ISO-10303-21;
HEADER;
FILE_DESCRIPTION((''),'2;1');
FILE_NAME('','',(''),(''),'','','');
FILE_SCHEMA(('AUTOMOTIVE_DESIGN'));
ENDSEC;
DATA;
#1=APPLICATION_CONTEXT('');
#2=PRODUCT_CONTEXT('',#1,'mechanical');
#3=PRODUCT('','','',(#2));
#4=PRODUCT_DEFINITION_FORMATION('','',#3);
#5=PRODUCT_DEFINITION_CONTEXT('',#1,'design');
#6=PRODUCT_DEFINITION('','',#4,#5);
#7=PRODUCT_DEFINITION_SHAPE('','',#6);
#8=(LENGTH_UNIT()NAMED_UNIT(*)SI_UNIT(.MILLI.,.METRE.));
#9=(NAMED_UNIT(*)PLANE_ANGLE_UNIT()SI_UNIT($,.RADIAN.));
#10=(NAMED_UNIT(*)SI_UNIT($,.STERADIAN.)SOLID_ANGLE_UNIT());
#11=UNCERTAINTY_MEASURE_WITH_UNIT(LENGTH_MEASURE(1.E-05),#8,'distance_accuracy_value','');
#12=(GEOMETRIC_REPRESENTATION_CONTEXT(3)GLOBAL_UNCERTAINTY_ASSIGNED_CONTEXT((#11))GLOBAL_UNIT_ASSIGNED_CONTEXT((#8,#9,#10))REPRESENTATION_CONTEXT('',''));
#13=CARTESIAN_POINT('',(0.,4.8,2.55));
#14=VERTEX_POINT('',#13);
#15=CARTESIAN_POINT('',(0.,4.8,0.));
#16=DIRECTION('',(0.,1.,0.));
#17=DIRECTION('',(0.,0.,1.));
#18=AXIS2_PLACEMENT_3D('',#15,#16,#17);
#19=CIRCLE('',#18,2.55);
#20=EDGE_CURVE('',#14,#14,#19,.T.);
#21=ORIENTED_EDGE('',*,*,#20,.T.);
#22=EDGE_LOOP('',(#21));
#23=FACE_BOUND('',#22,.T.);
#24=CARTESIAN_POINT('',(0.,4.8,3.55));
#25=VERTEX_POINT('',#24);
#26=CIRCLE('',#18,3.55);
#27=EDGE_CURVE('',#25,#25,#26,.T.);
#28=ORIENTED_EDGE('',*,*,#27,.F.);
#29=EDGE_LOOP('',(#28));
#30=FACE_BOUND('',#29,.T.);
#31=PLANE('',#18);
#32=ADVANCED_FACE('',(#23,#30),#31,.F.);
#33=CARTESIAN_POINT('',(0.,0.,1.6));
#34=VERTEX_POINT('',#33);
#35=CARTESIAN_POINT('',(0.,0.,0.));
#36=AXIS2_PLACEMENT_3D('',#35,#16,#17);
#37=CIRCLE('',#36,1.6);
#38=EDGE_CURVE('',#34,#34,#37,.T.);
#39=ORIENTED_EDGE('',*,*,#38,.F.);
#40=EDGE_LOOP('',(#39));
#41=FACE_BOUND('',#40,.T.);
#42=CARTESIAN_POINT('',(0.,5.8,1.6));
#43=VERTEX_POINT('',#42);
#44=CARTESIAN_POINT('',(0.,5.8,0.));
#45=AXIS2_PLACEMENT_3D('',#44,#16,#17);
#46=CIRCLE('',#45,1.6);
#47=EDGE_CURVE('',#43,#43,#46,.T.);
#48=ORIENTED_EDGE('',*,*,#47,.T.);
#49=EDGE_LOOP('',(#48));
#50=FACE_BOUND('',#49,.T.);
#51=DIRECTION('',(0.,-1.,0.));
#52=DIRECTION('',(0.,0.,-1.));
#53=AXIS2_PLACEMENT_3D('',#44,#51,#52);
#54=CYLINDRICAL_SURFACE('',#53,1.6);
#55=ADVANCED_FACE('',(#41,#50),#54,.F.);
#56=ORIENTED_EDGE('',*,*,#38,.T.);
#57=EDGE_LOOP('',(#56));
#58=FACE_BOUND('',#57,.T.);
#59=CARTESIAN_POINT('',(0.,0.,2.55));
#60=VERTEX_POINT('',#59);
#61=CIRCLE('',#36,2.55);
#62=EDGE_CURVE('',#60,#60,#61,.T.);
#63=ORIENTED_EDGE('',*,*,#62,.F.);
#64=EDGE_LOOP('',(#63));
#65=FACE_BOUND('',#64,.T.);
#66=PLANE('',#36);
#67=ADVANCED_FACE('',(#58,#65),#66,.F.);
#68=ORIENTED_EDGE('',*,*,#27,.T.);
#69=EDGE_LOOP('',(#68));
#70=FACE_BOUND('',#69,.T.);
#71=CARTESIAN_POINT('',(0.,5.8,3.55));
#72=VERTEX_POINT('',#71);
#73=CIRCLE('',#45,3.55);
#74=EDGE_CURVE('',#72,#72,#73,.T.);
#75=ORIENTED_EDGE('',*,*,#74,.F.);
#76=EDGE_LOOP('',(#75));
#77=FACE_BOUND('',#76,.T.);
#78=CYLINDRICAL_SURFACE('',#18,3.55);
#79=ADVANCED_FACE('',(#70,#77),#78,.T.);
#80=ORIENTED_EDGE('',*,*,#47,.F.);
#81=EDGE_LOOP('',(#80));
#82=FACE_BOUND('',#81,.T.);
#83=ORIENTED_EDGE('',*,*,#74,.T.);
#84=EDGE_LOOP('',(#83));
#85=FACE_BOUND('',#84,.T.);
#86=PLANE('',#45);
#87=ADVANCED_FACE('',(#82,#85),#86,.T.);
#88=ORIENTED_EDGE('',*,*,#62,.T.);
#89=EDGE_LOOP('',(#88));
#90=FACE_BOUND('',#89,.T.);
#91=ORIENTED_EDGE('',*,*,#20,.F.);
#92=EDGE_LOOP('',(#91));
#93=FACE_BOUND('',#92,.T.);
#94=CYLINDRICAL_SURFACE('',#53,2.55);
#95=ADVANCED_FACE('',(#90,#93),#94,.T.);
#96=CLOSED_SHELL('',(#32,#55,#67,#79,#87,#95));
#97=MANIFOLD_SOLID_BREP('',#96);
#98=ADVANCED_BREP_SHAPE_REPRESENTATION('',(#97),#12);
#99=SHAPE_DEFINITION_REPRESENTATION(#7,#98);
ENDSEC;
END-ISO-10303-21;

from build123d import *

# Parameters (mm, degrees)
SKETCH1_R           = 2.55
SKETCH1_R_2         = 1.6
BOSS_EXTRUDE1_DEPTH = 5.8
SKETCH2_R           = 3.55
SKETCH2_R_2         = 1.6
BOSS_EXTRUDE2_DEPTH = 1


with BuildPart() as part:
    # Sketch1 → Boss-Extrude1 (new body)
    with BuildSketch(Plane(origin=(0, 0, 0), x_dir=(1, 0, 0), z_dir=(0, 1, 0))):
        Circle(SKETCH1_R)
        Circle(SKETCH1_R_2, mode=Mode.SUBTRACT)
    extrude(amount=BOSS_EXTRUDE1_DEPTH)

    # Sketch2 → Boss-Extrude2 (add)
    with BuildSketch(Plane(origin=(0, 5.8, 0), x_dir=(1, 0, 0), z_dir=(0, 1, 0))):
        Circle(SKETCH2_R)
        Circle(SKETCH2_R_2, mode=Mode.SUBTRACT)
    extrude(amount=-BOSS_EXTRUDE2_DEPTH)


solid = part.part
